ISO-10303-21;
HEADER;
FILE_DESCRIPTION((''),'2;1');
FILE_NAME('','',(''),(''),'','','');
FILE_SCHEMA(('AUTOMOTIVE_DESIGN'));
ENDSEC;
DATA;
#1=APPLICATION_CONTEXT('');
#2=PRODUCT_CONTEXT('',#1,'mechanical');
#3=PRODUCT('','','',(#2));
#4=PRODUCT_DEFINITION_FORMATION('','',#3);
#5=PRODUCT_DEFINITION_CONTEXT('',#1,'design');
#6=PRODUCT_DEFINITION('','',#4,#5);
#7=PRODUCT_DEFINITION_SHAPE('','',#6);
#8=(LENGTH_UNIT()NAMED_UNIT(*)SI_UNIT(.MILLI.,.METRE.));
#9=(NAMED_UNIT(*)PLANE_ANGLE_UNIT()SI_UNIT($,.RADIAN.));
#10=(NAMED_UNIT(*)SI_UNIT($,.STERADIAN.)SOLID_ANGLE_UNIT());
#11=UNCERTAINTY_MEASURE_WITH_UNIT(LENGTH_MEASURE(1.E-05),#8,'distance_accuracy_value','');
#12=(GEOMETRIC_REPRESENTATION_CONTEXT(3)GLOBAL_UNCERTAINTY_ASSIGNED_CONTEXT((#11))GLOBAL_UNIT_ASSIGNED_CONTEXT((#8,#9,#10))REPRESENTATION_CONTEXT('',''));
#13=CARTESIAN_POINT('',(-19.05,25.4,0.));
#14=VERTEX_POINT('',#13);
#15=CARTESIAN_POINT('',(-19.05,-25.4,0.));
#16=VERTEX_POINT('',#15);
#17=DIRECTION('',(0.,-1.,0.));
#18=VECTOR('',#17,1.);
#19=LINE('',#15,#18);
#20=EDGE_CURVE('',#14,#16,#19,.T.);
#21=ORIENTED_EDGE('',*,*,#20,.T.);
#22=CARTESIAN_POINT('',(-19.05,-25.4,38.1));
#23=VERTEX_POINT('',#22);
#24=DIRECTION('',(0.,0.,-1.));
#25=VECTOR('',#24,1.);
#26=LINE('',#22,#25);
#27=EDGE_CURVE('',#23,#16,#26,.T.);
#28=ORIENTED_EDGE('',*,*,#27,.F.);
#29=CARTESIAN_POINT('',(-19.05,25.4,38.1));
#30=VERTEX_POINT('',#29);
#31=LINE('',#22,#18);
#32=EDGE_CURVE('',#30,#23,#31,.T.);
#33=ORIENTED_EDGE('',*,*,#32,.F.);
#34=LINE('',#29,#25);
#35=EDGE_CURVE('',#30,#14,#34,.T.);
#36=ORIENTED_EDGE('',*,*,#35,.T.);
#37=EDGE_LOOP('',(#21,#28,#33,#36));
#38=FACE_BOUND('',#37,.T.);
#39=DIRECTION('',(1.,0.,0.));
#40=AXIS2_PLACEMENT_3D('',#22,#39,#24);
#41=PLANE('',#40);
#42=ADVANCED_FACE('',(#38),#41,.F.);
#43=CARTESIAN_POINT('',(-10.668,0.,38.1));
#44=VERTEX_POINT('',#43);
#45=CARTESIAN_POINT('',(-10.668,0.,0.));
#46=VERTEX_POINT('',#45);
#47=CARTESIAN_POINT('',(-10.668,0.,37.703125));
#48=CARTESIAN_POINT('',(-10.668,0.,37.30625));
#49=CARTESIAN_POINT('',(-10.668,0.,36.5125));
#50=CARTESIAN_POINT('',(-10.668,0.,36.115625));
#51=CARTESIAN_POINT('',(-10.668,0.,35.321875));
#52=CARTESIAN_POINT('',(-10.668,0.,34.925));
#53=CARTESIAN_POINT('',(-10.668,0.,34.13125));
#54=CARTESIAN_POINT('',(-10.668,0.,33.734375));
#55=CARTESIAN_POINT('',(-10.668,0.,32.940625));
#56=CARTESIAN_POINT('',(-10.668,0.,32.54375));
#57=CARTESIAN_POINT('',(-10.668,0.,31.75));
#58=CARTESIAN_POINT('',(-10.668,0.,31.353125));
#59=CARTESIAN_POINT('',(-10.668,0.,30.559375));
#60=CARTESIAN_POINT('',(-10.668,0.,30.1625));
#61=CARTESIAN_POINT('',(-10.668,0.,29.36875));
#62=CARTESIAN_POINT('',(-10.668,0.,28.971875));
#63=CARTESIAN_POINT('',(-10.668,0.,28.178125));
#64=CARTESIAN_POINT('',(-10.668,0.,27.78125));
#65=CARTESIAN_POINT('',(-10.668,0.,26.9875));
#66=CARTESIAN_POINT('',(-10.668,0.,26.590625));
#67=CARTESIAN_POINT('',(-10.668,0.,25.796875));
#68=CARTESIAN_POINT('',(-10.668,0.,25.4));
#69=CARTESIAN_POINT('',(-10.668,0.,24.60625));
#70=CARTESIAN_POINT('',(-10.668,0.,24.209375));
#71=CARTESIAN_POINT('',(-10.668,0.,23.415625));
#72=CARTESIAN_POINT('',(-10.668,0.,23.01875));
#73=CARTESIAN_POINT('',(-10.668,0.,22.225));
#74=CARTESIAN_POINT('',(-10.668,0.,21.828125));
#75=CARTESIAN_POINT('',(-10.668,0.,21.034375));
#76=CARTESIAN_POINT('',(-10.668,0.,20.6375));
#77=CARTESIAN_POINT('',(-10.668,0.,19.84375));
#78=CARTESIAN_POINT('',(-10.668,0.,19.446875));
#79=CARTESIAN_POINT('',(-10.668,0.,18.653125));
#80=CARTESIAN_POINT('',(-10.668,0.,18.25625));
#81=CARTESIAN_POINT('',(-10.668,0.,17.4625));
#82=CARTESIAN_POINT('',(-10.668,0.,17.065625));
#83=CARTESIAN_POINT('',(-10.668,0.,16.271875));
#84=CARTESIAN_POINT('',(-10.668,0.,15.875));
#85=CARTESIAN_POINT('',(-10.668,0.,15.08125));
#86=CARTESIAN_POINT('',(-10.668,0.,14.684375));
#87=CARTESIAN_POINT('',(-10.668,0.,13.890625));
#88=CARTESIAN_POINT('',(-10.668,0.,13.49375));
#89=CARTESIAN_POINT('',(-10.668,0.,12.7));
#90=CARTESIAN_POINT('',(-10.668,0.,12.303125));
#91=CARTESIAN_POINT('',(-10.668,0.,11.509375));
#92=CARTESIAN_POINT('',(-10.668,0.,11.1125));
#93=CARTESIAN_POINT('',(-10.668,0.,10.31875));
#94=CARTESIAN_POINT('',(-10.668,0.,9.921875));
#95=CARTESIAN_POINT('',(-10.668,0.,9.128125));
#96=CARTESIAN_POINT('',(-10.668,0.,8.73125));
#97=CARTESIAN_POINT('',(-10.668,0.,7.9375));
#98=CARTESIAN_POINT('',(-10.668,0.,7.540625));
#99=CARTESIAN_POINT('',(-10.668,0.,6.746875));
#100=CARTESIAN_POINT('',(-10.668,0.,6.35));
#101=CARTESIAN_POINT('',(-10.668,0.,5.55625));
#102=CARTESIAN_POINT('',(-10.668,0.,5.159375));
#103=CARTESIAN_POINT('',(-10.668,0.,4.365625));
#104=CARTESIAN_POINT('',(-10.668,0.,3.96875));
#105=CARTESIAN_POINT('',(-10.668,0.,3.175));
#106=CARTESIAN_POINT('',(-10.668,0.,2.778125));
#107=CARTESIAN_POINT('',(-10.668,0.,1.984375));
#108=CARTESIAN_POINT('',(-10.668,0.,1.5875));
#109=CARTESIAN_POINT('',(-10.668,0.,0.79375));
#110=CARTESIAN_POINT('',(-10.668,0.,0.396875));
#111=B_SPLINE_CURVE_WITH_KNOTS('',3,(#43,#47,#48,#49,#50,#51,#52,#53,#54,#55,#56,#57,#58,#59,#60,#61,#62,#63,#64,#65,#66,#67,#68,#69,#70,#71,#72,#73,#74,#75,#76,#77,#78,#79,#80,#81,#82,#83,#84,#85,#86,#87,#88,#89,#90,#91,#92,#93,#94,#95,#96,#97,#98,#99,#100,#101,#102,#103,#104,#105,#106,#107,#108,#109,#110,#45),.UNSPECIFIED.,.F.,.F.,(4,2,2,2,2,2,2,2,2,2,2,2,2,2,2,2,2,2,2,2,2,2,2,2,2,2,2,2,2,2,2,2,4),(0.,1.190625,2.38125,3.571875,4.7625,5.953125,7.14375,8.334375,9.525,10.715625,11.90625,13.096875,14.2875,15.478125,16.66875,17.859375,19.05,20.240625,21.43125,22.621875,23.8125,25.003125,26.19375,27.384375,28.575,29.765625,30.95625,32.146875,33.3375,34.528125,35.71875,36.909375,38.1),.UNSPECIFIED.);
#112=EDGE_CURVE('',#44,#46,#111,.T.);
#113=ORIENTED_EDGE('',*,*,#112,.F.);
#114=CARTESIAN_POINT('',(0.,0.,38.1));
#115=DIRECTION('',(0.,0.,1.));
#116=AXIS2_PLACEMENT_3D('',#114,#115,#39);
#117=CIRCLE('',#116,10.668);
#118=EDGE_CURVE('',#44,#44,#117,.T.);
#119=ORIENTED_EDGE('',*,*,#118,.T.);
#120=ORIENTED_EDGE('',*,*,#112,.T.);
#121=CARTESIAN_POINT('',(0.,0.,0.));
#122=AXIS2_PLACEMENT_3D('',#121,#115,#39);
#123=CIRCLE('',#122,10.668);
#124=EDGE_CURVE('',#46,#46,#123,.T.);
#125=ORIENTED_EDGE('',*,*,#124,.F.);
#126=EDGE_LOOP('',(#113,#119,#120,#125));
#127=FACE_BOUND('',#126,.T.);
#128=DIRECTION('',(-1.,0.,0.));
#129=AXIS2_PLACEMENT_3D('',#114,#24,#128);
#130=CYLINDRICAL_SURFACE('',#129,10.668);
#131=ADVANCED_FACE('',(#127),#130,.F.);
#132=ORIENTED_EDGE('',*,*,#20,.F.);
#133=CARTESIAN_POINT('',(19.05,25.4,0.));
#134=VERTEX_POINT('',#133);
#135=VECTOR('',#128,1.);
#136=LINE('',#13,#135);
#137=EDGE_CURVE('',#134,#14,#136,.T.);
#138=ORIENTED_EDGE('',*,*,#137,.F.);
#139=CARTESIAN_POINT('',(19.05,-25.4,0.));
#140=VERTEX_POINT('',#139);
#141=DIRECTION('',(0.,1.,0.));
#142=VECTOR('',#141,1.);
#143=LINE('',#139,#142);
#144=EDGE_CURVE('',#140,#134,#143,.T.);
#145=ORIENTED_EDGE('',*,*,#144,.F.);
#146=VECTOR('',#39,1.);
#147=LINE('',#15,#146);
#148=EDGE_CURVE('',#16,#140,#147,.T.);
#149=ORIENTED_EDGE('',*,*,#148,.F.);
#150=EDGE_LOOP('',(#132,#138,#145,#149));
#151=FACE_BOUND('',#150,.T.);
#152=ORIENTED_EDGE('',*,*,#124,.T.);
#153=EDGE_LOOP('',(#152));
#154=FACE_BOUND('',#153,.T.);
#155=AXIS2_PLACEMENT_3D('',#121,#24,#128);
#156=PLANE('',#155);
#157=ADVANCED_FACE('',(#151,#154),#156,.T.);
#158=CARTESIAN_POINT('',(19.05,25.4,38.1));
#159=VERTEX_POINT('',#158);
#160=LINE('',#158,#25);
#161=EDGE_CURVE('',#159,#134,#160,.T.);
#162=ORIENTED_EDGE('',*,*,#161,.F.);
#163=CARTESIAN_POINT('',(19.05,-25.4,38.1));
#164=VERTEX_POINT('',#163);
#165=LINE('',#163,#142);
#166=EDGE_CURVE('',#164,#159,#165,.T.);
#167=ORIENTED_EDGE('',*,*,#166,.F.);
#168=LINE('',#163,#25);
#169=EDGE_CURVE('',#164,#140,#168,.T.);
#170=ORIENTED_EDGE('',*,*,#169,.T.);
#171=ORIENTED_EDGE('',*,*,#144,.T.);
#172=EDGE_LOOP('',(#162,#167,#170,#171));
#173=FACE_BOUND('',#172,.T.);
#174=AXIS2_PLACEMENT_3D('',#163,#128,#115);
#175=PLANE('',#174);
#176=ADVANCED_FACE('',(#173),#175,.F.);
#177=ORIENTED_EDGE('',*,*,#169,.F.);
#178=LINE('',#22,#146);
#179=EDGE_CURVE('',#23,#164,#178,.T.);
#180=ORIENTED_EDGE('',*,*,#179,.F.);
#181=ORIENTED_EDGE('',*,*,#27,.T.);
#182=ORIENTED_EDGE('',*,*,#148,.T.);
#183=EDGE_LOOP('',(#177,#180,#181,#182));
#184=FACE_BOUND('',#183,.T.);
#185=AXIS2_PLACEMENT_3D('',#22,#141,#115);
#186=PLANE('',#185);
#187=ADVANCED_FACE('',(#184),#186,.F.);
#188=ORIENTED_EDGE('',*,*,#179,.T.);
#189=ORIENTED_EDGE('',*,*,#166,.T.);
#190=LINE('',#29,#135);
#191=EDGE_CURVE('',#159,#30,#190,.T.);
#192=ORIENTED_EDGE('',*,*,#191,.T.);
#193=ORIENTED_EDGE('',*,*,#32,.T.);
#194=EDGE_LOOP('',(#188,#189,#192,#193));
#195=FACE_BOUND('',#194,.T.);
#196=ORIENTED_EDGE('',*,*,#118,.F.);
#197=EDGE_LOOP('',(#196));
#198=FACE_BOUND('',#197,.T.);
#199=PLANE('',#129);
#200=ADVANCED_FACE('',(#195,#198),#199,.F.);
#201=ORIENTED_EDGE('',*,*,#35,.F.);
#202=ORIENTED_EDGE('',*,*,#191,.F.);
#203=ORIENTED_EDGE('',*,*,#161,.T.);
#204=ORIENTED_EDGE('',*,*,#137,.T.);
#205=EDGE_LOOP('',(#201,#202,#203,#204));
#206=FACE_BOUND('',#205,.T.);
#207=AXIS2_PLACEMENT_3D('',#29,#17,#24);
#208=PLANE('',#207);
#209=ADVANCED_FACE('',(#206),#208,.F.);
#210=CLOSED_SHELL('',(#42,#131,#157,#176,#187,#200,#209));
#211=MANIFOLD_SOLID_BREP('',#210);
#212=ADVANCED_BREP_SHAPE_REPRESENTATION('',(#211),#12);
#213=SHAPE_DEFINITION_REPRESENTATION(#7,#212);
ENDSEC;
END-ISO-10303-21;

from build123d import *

# Parameters (mm, degrees)
SKETCH1_W           = 38.1
SKETCH1_H           = 50.8
SKETCH1_R           = 10.668
BOSS_EXTRUDE1_DEPTH = 38.1


with BuildPart() as part:
    # Sketch1 → Boss-Extrude1 (new body)
    with BuildSketch(Plane.XY):
        Rectangle(SKETCH1_W, SKETCH1_H)
        with Locations(Location((0, 0, 0), (0, 0, 180))):
            Circle(SKETCH1_R, mode=Mode.SUBTRACT)
    extrude(amount=BOSS_EXTRUDE1_DEPTH)


solid = part.part
